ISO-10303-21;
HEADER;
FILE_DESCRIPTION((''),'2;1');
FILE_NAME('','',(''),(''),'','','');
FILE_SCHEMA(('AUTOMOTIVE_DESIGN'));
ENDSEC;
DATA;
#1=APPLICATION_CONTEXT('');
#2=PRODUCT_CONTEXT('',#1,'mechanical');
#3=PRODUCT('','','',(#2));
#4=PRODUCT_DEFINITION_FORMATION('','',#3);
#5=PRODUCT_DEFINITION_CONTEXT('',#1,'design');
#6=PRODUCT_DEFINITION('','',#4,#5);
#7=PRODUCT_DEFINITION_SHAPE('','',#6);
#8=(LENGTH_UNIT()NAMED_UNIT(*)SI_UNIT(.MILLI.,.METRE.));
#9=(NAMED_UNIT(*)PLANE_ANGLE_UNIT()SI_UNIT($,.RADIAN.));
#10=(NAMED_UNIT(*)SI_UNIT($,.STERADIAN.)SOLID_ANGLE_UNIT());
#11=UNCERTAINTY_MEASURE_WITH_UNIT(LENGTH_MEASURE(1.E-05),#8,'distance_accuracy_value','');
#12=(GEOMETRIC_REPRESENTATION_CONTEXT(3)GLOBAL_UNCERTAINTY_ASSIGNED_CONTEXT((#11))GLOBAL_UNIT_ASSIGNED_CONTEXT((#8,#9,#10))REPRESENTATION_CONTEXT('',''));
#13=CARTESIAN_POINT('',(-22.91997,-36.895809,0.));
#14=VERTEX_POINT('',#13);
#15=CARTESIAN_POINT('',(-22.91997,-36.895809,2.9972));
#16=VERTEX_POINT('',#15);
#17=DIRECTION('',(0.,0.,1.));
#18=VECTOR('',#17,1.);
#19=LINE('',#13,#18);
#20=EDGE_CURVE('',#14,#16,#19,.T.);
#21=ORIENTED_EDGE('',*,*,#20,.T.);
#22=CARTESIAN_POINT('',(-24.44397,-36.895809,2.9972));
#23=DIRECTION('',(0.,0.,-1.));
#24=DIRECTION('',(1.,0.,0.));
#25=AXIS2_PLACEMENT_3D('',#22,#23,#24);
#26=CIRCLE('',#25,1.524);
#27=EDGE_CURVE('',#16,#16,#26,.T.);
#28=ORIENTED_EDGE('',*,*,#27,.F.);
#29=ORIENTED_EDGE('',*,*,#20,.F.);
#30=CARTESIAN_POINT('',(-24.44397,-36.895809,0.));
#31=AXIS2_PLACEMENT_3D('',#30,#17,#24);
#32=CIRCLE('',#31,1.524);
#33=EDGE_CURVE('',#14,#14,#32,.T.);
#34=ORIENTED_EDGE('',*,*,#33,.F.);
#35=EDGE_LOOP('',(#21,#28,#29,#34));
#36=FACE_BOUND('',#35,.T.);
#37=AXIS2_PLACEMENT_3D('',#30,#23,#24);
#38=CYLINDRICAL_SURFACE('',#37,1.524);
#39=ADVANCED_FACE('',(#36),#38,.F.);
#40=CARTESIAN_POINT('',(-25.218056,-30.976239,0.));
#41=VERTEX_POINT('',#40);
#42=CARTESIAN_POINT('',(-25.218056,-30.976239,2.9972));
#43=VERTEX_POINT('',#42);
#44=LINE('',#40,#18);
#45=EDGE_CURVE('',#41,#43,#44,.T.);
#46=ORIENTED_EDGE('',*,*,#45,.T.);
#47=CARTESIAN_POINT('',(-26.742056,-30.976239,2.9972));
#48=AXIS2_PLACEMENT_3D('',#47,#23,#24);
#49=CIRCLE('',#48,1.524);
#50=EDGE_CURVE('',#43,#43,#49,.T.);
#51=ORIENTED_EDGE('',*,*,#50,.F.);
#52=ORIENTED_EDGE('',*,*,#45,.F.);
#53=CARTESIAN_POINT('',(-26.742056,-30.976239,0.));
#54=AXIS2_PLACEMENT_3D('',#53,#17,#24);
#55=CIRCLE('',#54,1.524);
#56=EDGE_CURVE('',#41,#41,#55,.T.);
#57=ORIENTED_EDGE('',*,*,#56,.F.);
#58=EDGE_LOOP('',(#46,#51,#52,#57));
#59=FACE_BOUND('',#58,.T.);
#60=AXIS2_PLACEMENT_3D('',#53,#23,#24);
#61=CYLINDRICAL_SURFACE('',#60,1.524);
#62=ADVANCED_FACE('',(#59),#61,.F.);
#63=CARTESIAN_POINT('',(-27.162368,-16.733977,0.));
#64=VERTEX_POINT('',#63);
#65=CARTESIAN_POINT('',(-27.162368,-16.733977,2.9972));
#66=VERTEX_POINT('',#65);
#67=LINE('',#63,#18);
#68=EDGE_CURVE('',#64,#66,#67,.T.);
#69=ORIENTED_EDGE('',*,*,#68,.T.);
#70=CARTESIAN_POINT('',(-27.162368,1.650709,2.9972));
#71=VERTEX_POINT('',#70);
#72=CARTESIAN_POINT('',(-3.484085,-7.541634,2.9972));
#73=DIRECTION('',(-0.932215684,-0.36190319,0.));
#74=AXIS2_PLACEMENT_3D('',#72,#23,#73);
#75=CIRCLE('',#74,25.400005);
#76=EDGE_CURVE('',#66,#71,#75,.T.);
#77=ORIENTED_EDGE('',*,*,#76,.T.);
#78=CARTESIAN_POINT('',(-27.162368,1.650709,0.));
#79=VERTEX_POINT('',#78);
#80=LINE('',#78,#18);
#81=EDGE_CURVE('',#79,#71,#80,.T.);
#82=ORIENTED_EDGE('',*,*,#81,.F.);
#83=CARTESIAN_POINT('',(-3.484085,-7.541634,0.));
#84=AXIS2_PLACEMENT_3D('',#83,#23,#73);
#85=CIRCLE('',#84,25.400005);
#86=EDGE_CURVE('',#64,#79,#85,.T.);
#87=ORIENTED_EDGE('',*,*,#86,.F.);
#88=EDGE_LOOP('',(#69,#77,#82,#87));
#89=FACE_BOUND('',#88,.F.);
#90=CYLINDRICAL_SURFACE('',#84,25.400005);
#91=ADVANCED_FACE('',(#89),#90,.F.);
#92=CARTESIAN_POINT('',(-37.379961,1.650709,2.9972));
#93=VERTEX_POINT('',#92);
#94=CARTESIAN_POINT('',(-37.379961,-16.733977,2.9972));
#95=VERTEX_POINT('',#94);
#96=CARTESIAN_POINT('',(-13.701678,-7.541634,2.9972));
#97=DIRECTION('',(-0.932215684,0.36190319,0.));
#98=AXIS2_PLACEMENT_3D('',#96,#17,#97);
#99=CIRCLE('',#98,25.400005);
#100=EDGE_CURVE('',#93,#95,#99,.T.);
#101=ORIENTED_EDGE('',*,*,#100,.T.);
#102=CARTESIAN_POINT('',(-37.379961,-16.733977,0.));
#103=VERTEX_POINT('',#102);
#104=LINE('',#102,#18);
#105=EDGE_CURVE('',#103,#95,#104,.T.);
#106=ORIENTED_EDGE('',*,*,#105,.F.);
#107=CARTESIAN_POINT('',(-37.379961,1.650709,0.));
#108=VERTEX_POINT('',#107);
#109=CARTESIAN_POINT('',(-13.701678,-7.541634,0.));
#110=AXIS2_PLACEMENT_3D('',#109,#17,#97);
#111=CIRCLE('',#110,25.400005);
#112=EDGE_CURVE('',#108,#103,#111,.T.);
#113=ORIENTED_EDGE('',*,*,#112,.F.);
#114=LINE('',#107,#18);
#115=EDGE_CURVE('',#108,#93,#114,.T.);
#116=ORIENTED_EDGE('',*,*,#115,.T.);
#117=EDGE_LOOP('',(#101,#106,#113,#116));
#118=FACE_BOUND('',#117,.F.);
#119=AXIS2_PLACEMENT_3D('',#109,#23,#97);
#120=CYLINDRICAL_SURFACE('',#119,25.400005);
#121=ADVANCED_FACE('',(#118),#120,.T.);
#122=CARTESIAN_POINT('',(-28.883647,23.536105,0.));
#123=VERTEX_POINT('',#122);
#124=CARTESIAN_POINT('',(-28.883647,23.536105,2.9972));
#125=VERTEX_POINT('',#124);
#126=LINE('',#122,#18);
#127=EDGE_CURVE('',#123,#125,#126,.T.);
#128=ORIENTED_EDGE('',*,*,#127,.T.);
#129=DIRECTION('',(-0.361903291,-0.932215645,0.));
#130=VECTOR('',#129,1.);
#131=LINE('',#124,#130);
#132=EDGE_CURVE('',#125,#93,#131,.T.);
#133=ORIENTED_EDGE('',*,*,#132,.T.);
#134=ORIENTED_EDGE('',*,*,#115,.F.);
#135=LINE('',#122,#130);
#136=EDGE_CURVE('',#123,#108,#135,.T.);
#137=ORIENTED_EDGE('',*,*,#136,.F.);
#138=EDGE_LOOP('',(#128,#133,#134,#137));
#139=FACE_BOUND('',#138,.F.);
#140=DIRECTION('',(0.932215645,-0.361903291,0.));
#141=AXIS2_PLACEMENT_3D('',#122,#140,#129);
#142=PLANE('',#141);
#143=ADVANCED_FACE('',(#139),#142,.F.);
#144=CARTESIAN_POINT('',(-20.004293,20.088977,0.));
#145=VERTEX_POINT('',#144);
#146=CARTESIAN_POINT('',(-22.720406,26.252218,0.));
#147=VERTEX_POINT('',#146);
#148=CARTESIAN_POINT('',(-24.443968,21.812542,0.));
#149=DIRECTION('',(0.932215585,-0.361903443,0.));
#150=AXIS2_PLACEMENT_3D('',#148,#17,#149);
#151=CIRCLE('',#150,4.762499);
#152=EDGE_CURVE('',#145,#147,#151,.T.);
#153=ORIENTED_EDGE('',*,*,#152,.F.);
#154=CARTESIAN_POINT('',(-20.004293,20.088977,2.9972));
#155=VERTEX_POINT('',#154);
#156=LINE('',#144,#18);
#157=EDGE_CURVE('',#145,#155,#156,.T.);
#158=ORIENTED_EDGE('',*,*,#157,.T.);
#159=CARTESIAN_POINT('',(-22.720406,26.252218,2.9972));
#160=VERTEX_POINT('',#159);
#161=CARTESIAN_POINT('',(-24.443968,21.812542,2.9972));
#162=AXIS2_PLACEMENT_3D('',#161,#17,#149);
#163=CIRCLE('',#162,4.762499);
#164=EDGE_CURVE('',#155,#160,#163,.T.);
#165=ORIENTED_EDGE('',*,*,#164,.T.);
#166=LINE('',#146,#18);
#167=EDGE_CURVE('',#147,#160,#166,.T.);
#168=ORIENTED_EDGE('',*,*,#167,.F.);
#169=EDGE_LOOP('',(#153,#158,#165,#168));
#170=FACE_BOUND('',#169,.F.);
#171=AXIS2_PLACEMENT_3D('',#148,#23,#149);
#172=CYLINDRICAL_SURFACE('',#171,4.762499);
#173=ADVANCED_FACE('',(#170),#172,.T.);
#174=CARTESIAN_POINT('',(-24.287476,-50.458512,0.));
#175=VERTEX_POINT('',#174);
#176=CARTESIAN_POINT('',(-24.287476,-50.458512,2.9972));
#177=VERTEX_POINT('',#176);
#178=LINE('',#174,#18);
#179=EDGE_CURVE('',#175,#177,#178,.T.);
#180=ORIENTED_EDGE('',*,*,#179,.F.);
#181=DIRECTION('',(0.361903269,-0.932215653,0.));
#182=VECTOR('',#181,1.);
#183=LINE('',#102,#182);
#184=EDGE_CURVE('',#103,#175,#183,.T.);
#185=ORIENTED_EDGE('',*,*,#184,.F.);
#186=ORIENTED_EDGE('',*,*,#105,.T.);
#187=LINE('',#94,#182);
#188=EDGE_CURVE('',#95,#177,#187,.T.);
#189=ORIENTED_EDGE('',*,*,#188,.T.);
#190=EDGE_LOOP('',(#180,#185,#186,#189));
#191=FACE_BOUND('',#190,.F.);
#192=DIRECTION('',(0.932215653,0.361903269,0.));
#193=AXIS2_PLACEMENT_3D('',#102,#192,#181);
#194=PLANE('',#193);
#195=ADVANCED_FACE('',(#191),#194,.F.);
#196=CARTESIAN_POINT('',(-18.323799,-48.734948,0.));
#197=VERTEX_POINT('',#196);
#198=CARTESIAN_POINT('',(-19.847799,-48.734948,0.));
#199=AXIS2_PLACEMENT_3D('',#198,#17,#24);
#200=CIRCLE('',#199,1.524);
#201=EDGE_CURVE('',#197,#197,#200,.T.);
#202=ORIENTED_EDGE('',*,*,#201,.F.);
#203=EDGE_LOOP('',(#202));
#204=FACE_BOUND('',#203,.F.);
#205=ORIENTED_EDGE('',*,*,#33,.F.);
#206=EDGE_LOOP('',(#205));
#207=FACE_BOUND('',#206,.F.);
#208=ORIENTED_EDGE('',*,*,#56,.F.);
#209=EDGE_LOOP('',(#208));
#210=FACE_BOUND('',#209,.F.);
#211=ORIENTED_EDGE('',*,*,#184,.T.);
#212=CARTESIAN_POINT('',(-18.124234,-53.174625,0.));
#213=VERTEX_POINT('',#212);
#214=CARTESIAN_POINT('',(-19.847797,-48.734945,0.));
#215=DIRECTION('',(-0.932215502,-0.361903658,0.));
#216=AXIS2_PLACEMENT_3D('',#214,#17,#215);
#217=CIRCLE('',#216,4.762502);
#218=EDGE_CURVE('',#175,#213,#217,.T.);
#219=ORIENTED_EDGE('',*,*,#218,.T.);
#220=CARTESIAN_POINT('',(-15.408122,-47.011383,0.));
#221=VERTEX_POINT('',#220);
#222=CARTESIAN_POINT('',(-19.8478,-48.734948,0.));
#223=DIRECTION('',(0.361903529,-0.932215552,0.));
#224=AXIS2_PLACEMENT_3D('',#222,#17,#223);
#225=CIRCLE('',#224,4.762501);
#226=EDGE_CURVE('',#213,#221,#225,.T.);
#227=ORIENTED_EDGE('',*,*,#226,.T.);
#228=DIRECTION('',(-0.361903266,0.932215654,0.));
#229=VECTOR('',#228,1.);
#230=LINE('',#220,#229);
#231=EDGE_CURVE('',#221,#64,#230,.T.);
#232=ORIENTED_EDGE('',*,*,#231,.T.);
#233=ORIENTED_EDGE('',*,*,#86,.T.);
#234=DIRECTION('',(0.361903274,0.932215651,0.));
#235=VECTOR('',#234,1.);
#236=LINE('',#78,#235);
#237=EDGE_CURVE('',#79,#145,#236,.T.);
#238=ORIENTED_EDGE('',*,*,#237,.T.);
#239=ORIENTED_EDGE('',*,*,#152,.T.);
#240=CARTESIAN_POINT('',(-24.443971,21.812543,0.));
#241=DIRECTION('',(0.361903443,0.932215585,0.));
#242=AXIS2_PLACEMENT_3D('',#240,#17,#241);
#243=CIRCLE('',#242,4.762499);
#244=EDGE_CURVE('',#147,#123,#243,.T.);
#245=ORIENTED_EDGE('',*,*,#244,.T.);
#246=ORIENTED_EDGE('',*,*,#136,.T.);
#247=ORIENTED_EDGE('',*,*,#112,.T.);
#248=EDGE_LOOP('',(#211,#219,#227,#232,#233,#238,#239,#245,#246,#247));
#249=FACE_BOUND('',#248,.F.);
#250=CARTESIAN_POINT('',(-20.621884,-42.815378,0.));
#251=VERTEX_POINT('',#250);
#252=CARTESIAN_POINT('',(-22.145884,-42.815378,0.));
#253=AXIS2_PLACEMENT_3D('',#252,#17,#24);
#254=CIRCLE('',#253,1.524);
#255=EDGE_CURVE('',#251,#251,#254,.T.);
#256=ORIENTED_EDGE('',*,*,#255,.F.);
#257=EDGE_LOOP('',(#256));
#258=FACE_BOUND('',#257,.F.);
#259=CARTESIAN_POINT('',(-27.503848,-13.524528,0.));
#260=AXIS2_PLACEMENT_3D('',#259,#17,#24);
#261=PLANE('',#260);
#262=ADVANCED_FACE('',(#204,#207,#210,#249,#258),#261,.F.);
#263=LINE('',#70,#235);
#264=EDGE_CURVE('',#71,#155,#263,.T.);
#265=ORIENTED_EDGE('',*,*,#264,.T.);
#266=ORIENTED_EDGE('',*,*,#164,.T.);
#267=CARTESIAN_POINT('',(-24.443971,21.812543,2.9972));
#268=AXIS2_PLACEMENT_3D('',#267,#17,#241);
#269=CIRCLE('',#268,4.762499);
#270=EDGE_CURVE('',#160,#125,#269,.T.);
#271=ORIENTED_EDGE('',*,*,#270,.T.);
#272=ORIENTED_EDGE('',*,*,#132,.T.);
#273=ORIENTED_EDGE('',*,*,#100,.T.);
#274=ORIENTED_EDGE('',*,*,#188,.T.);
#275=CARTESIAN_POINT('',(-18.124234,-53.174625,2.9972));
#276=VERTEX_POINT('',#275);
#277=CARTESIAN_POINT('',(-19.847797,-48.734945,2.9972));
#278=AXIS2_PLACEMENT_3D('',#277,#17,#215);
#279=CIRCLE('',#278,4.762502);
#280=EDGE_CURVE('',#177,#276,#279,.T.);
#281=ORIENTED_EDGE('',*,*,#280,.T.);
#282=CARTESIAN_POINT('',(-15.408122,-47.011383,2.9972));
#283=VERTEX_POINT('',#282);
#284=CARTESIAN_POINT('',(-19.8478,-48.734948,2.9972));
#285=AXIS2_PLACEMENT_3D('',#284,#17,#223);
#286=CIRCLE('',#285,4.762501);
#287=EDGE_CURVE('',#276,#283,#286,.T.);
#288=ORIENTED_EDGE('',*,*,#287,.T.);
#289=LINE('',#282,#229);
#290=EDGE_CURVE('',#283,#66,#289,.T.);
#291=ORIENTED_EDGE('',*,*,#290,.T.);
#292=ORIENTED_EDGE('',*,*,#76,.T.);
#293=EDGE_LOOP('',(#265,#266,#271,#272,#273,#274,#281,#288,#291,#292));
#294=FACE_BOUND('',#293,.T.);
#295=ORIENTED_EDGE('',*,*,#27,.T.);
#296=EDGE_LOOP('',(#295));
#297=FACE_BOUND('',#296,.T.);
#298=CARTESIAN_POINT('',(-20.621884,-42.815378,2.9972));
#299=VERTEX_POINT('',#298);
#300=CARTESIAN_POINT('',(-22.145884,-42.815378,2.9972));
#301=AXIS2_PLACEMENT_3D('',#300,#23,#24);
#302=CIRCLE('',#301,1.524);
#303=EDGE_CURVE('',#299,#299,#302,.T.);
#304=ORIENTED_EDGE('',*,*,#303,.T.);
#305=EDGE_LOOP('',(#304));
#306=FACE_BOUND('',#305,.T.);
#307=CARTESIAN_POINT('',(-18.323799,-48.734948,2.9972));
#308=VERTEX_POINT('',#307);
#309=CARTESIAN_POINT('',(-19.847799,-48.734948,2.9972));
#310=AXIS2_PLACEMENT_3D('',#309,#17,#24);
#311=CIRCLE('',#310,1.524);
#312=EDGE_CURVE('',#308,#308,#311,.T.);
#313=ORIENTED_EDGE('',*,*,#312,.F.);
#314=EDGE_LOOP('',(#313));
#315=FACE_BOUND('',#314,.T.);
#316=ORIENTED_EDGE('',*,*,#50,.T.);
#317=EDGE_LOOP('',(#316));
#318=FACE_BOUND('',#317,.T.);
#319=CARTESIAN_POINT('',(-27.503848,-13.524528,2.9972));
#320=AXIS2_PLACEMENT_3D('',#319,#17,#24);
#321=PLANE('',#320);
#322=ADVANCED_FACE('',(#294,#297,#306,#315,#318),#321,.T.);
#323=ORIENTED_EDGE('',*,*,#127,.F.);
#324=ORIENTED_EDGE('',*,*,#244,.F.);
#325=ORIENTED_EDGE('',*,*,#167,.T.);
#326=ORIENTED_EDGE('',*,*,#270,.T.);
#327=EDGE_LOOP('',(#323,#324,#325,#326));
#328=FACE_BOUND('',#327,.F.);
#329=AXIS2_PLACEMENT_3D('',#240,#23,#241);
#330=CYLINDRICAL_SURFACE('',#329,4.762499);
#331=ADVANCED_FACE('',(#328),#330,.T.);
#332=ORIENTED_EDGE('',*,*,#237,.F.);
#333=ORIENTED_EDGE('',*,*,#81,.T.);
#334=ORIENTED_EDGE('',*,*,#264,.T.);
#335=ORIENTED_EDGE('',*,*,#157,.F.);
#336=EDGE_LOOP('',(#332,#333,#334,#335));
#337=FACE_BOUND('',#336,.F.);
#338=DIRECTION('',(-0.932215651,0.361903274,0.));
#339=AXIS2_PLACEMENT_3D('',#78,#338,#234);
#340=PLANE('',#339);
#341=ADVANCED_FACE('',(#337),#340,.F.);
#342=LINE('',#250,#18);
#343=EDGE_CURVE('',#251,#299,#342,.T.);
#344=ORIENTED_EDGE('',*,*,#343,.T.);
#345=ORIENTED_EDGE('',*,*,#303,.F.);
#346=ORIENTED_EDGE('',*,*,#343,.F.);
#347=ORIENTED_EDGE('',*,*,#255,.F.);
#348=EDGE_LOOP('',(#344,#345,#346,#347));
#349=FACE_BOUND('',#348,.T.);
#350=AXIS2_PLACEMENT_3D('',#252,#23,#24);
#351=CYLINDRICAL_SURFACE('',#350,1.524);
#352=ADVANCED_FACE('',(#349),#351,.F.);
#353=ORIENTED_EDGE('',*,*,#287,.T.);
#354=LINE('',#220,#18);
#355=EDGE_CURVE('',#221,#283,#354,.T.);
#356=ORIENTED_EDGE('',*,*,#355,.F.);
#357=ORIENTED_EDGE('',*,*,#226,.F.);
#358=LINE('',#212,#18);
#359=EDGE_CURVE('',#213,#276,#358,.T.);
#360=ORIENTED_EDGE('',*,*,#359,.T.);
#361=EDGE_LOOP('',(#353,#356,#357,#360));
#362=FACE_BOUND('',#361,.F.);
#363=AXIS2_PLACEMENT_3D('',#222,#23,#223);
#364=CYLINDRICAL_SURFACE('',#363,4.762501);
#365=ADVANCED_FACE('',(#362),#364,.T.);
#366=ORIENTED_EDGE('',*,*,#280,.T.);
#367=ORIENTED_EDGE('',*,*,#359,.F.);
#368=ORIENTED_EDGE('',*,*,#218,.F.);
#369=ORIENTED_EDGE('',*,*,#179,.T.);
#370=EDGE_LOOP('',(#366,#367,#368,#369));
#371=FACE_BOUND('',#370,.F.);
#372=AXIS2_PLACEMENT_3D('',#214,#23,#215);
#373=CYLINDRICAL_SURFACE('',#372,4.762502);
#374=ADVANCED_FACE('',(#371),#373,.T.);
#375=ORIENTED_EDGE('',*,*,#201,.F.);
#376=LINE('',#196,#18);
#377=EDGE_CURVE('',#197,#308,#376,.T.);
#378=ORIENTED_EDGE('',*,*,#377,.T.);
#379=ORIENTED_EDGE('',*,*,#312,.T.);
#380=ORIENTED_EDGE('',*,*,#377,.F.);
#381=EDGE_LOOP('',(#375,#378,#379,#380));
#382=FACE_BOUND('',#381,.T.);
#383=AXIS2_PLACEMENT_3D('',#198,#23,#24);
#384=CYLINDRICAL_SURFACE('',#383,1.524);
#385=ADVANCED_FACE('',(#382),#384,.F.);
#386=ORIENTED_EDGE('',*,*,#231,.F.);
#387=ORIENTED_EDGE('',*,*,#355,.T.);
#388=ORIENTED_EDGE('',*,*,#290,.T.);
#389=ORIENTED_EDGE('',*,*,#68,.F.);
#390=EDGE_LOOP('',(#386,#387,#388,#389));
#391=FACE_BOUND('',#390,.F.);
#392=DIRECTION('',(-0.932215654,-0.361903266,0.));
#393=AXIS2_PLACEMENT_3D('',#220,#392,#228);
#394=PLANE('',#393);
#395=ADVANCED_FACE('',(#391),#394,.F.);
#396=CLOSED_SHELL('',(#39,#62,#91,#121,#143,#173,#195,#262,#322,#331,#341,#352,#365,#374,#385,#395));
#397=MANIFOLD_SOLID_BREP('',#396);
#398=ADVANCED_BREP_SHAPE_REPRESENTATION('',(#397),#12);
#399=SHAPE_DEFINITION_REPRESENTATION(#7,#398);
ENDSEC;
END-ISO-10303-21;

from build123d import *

# Parameters (mm, degrees)
F0_R     = 1.524
F1_DEPTH = 2.9972
F2_R     = 1.524
F3_DEPTH = 25.4


with BuildPart() as f1:
    # F0 (on Top) → F1 (new body)
    with BuildSketch(Plane.XY):
        with BuildLine():
            Line((-37.379961, -16.733977), (-24.287476, -50.458512))
            ThreePointArc((-24.287476, -50.458512), (-21.76838, -53.093017), (-18.124234, -53.174625))
            ThreePointArc((-18.124234, -53.174625), (-15.489729, -50.655529), (-15.408122, -47.011383))
            Line((-15.408122, -47.011383), (-27.162368, -16.733977))
            ThreePointArc((-27.162368, -16.733977), (-28.88409, -7.541634), (-27.162368, 1.650709))
            Line((-27.162368, 1.650709), (-20.004293, 20.088977))
            ThreePointArc((-20.004293, 20.088977), (-20.0859, 23.733123), (-22.720406, 26.252218))
            ThreePointArc((-22.720406, 26.252218), (-26.364552, 26.170611), (-28.883647, 23.536105))
            Line((-28.883647, 23.536105), (-37.379961, 1.650709))
            ThreePointArc((-37.379961, 1.650709), (-39.101683, -7.541634), (-37.379961, -16.733977))
        make_face()
        with Locations((-19.847799, -48.734948)):
            Circle(F0_R, mode=Mode.SUBTRACT)
    extrude(amount=F1_DEPTH)

    # F2 (on Top) → F3 (cut)
    with BuildSketch(Plane.XY):
        with Locations((-26.742056, -30.976239)):
            Circle(F2_R)
        with Locations((-24.44397, -36.895809)):
            Circle(F2_R)
        with Locations((-22.145884, -42.815378)):
            Circle(F2_R)
    extrude(amount=F3_DEPTH, mode=Mode.SUBTRACT)


solid = f1.part
